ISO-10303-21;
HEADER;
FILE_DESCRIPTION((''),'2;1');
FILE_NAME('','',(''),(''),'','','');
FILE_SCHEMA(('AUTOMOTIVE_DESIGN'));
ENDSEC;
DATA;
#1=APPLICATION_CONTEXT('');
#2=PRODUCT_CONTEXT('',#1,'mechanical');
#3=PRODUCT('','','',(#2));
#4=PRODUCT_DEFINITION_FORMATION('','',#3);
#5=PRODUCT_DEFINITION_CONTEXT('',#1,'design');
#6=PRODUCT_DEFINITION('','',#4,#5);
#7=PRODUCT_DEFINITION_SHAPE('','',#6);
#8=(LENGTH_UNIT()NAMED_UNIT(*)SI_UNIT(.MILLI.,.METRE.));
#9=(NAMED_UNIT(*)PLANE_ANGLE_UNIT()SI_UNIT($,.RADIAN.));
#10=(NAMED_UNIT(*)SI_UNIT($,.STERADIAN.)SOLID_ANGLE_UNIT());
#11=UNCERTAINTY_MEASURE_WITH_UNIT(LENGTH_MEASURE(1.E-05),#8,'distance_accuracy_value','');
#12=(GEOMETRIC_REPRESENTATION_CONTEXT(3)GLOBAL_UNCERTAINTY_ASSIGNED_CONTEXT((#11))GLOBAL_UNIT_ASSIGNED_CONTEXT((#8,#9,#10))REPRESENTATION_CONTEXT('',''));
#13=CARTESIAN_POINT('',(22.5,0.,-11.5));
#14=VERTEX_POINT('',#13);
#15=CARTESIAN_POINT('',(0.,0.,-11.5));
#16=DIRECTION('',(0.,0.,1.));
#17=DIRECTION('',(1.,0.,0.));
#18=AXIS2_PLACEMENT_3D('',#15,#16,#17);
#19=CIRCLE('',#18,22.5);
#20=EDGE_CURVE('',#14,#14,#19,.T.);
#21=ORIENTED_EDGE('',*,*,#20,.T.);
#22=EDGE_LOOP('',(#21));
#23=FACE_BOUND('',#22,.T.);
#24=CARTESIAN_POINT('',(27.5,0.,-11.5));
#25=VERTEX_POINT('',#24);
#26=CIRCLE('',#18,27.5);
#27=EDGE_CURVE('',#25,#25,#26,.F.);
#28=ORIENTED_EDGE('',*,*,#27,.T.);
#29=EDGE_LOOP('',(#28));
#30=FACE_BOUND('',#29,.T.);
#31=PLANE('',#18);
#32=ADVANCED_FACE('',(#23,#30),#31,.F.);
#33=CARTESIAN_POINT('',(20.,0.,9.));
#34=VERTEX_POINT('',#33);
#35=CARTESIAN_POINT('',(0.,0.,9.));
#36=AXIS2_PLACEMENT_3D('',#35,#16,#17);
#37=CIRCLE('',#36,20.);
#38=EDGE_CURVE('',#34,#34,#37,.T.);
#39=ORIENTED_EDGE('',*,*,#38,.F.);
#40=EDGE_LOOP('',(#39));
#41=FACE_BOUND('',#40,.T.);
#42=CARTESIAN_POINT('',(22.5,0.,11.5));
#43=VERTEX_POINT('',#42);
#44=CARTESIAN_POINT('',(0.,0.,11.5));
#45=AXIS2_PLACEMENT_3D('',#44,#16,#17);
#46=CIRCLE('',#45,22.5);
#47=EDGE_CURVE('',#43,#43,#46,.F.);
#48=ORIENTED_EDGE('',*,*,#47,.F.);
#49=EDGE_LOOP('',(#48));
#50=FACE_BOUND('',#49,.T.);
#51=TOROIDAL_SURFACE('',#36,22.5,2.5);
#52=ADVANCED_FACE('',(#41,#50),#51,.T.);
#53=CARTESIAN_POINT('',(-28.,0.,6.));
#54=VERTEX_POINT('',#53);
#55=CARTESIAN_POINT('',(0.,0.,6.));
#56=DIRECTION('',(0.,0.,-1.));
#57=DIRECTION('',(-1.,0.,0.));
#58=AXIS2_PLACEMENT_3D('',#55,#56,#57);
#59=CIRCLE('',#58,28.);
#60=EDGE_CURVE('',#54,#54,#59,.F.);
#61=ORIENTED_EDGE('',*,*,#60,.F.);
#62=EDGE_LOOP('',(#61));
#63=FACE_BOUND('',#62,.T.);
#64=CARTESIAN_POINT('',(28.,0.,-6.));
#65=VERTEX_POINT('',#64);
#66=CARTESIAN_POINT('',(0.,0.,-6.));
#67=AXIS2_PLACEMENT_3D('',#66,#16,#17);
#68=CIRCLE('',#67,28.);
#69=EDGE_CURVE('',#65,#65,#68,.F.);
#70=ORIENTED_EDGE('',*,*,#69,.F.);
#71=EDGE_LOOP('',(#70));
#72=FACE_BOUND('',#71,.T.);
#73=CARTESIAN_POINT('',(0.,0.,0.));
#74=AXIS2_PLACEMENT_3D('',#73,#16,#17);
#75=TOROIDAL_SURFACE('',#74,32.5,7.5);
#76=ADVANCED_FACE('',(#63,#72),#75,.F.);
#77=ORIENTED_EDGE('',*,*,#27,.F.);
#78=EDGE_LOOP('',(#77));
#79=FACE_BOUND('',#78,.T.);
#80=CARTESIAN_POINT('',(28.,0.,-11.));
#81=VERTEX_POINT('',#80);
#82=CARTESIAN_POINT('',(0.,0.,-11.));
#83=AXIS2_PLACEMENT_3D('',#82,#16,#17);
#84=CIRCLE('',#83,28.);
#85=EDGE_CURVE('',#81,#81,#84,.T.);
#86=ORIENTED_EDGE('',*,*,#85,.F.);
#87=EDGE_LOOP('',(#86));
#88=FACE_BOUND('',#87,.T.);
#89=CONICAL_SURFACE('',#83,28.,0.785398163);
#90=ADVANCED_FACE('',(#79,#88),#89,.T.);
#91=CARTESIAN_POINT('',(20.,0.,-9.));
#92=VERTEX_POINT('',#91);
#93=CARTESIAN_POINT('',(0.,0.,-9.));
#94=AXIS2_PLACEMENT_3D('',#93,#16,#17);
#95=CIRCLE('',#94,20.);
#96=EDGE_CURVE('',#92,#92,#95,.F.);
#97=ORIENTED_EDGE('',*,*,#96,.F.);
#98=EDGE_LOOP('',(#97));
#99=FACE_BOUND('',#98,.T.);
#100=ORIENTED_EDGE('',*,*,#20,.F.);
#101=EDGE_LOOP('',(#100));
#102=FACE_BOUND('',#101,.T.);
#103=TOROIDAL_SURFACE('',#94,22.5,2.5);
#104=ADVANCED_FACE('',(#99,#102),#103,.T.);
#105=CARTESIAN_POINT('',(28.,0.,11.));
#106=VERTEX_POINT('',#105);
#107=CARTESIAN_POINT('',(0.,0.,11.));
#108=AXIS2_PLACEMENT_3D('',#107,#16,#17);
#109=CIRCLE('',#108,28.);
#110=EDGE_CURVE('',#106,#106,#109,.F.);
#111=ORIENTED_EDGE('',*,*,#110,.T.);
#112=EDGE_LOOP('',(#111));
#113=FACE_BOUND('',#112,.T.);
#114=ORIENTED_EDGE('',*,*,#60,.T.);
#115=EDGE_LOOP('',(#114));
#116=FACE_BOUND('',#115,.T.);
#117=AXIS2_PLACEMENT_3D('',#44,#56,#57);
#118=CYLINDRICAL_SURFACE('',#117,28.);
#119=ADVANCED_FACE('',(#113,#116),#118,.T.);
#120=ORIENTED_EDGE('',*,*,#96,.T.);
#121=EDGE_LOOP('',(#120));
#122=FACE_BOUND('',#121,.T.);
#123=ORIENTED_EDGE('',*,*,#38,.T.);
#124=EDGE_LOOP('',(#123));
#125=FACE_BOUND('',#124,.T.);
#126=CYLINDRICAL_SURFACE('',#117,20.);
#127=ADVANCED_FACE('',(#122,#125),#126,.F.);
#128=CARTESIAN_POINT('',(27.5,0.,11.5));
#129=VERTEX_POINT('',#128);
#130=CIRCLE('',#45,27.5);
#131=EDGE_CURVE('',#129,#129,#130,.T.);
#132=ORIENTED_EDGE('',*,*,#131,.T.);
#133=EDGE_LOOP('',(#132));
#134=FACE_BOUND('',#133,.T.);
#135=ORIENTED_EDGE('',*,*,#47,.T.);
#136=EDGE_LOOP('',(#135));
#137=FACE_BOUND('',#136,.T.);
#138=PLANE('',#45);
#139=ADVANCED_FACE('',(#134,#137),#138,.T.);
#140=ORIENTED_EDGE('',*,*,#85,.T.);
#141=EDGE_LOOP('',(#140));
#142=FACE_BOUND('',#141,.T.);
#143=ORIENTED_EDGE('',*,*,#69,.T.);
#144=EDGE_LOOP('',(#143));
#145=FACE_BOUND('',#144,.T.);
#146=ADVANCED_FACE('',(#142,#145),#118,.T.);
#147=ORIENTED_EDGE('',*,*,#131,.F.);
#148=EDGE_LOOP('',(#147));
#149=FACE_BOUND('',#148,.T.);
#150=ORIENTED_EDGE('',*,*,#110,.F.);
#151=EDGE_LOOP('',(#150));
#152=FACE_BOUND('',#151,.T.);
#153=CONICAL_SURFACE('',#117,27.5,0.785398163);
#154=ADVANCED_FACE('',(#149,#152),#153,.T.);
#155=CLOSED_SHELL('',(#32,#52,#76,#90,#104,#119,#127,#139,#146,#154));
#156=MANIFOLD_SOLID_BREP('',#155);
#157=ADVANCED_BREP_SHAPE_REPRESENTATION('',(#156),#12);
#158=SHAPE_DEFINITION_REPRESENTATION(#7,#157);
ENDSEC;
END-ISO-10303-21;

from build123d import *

# Parameters (mm, degrees)
SKETCH1_R           = 28
SKETCH1_R_2         = 20
BOSS_EXTRUDE1_DEPTH = 11.5
SKETCH3_R           = 7.5
CHAMFER1_SIZE       = 0.5
FILLET1_R           = 2.5


with BuildPart() as part:
    # Sketch1 → Boss-Extrude1 (new, symmetric)
    with BuildSketch(Plane.XY):
        Circle(SKETCH1_R)
        Circle(SKETCH1_R_2, mode=Mode.SUBTRACT)
    extrude(amount=BOSS_EXTRUDE1_DEPTH, both=True)

    # Sketch3 → Cut-Revolve1 (revolve, cut)
    with BuildSketch(Plane(origin=(0, 0, 0), x_dir=(1, 0, 0), z_dir=(0, 1, 0))):
        with Locations((32.5, 0)):
            Circle(SKETCH3_R)
    revolve(axis=Axis((0, 0, 0), (0, 0, -1)), mode=Mode.SUBTRACT)

    # Chamfer1
    chamfer1_edges = [part.edges().sort_by_distance(p)[0] for p in [
        (-28, 0, -11.5),
        (-28, 0, 11.5),
    ]]
    chamfer(chamfer1_edges, length=CHAMFER1_SIZE)

    # Fillet1
    fillet1_edges = [part.edges().sort_by_distance(p)[0] for p in [
        (-20, 0, -11.5),
        (-20, 0, 11.5),
    ]]
    fillet(fillet1_edges, radius=FILLET1_R)


solid = part.part
